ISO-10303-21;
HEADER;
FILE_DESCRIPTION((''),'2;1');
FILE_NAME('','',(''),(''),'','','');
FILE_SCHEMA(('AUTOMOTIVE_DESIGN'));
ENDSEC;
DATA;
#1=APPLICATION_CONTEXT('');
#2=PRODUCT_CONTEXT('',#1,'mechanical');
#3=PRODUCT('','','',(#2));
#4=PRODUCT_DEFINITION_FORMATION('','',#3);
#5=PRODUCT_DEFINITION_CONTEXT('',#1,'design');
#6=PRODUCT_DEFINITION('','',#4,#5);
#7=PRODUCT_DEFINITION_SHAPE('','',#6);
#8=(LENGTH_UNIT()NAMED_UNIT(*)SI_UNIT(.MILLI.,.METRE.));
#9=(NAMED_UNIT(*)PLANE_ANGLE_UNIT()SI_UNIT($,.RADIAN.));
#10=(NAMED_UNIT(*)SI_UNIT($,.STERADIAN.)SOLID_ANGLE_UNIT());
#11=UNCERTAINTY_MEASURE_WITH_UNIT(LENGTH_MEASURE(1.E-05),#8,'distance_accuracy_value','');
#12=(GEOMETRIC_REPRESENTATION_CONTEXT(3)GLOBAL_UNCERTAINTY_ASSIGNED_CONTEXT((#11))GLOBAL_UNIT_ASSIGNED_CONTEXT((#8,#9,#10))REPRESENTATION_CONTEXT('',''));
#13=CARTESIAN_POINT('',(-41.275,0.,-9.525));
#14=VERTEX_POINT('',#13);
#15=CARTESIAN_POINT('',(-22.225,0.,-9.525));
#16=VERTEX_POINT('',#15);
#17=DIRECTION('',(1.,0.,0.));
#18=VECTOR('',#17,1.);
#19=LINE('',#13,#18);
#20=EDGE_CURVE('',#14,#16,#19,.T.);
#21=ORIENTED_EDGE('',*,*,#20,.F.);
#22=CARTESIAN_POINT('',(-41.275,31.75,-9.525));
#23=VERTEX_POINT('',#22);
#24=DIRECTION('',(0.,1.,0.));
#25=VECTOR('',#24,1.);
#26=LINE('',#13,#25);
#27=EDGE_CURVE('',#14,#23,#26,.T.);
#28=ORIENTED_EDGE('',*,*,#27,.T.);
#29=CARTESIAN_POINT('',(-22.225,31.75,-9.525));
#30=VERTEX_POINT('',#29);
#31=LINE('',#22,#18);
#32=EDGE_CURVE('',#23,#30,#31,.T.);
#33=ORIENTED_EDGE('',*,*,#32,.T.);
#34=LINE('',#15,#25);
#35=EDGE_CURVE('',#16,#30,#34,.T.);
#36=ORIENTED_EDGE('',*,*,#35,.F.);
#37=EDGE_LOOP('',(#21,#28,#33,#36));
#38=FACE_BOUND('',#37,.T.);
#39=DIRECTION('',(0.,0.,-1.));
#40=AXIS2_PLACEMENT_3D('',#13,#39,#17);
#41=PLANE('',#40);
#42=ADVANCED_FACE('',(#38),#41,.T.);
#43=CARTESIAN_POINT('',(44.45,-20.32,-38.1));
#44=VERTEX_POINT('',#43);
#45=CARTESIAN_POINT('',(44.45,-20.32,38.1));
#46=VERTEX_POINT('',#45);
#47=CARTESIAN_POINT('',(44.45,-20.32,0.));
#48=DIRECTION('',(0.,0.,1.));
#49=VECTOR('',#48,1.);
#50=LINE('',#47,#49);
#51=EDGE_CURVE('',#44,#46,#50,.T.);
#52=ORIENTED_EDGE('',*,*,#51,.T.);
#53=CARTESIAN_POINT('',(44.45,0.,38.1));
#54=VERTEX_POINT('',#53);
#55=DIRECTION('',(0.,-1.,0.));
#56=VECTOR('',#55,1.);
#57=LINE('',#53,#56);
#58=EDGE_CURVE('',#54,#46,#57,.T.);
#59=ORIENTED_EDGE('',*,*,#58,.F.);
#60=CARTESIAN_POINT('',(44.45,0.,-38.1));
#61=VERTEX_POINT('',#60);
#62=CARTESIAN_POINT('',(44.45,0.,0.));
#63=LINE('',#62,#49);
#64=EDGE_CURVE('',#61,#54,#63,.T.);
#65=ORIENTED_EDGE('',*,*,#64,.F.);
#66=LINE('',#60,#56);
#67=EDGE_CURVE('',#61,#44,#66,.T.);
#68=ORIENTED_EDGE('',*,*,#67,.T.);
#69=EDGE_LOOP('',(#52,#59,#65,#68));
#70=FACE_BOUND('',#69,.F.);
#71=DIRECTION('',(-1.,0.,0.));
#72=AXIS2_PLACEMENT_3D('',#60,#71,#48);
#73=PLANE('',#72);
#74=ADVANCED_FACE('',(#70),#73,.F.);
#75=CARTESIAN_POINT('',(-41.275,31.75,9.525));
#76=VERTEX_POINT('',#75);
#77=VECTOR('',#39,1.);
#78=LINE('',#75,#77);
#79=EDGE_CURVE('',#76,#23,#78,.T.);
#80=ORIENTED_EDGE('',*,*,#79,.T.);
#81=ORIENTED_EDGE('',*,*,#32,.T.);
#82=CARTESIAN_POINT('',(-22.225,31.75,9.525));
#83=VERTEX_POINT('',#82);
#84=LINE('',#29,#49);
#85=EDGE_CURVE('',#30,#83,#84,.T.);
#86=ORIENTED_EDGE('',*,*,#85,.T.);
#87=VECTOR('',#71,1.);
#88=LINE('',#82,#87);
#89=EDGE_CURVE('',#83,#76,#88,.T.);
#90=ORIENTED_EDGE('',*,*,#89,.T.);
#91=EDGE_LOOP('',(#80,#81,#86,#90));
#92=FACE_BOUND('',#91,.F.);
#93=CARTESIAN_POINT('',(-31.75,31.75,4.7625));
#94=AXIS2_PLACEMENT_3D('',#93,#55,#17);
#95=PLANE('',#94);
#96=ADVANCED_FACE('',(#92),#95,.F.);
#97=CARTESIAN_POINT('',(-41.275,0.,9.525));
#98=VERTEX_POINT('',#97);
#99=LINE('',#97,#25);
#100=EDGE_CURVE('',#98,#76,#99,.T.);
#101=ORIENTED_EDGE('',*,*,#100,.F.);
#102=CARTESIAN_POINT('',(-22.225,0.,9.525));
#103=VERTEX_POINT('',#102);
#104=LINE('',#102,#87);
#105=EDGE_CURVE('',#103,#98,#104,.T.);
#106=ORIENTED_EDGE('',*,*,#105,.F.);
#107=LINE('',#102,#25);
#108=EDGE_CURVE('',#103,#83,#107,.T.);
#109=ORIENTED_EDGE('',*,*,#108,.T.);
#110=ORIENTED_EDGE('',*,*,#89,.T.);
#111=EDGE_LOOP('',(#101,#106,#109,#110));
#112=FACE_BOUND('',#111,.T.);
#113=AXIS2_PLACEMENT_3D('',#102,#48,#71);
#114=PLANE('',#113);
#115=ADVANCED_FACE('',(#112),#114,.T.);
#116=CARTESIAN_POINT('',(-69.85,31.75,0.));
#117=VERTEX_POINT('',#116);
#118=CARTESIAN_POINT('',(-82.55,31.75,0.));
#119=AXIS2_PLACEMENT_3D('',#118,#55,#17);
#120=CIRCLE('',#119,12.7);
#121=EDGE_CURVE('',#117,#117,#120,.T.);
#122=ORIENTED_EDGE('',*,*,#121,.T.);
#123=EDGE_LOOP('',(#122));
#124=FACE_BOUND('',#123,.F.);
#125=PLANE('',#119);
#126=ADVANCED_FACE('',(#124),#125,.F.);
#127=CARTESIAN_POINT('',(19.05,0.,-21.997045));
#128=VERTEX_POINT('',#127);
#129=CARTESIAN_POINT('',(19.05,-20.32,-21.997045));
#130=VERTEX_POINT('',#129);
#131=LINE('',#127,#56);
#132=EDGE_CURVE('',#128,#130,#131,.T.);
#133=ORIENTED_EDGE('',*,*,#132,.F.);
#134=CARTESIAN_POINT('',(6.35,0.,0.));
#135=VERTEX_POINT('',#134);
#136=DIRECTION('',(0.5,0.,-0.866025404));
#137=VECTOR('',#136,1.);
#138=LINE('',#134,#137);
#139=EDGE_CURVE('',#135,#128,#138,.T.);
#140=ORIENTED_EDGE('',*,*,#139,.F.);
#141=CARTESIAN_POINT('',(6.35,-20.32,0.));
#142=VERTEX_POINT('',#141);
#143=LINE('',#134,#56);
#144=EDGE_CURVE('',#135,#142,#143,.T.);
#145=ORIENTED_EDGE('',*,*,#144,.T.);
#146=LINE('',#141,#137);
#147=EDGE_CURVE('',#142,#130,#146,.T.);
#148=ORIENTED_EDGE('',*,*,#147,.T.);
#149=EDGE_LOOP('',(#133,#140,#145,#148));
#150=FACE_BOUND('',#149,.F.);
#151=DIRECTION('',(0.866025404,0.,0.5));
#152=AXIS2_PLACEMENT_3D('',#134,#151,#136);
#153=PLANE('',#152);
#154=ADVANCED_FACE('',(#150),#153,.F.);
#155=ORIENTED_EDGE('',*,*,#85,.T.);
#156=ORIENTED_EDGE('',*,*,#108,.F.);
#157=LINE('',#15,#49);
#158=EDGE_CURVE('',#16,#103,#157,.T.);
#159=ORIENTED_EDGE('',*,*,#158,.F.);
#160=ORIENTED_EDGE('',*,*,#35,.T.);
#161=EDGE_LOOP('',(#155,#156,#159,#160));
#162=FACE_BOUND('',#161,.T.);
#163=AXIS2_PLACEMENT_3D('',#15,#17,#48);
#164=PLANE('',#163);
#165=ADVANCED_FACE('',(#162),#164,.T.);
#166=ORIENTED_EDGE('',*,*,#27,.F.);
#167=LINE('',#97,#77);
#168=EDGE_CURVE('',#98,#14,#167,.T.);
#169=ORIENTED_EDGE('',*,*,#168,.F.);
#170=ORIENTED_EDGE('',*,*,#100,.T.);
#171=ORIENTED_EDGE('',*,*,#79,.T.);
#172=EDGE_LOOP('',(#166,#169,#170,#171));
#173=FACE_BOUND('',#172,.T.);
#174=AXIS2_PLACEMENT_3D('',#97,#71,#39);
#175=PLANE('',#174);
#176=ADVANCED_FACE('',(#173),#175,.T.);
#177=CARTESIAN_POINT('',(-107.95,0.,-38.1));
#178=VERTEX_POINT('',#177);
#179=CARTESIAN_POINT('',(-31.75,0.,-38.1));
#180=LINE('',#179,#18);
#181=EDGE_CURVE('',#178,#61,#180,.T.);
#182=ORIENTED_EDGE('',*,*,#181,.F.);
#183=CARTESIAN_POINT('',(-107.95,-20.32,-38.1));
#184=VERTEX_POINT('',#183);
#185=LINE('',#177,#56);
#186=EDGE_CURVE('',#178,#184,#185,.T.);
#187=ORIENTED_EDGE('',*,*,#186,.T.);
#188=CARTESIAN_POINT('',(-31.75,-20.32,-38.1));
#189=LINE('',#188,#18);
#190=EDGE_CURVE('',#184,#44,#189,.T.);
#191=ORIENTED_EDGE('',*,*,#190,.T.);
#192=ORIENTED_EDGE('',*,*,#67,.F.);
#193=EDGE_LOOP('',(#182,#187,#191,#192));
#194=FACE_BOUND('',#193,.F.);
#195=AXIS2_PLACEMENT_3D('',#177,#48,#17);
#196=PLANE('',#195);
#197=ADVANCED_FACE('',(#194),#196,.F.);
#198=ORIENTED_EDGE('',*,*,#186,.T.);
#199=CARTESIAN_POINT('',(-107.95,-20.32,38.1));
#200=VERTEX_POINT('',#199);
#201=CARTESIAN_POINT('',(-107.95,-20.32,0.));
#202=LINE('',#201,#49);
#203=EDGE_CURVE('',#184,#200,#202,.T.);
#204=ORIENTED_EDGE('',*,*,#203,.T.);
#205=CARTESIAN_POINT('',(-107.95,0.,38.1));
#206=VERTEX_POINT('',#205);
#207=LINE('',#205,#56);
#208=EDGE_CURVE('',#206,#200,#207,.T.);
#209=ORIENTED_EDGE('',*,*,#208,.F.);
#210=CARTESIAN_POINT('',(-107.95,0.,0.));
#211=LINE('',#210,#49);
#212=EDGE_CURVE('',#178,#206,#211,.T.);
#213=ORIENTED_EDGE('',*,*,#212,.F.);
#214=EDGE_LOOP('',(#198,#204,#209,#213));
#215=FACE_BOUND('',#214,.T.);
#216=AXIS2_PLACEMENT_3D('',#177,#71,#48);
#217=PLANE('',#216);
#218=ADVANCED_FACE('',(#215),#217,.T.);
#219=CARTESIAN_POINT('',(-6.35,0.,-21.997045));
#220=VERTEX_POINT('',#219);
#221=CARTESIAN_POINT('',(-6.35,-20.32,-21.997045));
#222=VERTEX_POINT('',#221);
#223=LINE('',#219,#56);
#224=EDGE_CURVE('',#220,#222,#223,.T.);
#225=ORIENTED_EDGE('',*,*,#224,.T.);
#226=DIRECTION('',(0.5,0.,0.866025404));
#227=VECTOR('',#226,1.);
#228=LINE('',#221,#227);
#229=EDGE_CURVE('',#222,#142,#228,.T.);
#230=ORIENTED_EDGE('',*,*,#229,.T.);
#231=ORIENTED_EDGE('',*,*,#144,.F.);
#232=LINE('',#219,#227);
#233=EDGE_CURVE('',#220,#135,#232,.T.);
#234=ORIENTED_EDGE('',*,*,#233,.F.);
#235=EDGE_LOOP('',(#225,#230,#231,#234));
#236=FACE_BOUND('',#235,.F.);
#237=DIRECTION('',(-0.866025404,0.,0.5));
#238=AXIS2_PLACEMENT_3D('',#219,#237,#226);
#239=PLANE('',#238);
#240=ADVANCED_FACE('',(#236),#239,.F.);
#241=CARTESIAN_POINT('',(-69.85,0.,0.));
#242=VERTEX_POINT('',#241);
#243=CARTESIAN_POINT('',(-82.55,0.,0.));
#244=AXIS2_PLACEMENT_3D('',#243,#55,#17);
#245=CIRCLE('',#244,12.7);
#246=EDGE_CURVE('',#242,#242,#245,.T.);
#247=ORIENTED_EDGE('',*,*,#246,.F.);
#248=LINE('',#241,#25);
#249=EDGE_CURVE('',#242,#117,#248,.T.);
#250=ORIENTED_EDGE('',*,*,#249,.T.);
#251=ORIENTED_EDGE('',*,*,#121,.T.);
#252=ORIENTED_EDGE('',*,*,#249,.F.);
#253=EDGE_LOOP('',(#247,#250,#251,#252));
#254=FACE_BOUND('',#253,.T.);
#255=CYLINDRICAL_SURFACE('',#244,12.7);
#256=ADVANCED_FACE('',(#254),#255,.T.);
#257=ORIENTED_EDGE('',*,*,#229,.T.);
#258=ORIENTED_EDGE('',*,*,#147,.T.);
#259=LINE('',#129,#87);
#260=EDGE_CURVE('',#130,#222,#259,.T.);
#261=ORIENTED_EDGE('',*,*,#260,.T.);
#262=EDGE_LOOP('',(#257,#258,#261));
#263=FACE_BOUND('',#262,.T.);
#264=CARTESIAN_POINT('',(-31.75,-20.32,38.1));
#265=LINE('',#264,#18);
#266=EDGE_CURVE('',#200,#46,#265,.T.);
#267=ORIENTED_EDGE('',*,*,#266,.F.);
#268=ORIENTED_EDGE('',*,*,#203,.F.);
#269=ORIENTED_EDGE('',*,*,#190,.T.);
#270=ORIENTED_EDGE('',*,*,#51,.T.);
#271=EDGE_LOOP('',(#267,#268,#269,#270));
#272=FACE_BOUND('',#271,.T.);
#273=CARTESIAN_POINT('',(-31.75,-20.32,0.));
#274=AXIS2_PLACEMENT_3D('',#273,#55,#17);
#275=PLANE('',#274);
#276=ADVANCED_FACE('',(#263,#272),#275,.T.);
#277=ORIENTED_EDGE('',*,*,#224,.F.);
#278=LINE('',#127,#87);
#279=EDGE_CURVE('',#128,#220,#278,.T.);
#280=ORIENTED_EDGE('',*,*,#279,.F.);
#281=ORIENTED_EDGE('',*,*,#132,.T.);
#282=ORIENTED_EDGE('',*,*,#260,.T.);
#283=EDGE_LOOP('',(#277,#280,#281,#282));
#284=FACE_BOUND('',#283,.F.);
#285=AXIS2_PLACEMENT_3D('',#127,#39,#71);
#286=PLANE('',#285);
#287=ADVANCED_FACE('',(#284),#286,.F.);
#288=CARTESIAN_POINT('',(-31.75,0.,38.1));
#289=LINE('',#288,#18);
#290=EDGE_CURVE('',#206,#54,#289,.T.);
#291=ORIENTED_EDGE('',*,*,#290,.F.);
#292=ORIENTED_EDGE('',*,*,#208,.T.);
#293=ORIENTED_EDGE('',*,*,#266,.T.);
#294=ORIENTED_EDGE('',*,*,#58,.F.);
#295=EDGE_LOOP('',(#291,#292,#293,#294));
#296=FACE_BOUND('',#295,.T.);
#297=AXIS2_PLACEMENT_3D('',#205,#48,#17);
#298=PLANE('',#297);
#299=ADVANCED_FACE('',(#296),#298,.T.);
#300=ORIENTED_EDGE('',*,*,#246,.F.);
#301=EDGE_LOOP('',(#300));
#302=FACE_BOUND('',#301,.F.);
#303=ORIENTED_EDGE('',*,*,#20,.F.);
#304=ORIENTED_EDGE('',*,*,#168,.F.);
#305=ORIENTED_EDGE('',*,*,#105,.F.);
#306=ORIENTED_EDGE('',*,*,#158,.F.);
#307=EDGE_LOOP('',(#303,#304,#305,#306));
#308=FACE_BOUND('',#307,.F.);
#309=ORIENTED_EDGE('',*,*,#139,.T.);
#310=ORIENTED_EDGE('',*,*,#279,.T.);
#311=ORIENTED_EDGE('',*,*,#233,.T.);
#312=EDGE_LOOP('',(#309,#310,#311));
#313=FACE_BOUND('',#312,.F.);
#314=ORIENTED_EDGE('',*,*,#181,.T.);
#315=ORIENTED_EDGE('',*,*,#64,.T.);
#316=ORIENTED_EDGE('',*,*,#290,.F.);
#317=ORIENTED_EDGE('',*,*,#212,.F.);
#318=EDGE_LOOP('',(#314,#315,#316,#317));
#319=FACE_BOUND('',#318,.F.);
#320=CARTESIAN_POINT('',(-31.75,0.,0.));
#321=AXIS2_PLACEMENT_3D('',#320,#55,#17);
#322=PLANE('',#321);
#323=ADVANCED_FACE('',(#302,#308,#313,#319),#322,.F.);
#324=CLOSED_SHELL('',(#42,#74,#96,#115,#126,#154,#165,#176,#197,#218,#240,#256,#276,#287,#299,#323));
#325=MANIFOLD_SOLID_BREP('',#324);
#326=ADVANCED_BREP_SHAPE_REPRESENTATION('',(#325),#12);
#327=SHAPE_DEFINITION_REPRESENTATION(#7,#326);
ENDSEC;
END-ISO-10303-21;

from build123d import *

# Parameters (mm, degrees)
F0_W     = 152.4
F0_H     = 76.2
F0_R     = 12.7
F1_DEPTH = 20.32
F2_DEPTH = 31.75


with BuildPart() as f1:
    # F0 (on Front) → F1 (new body)
    with BuildSketch(Plane.XZ):
        with Locations((-31.75, 0)):
            Rectangle(F0_W, F0_H)
        Polygon((-6.35, -21.9970452561), (6.35, 0), (19.05, -21.9970452561), align=None, mode=Mode.SUBTRACT)
        with Locations((-82.55, 0)):
            Circle(F0_R, mode=Mode.SUBTRACT)
        Polygon((-22.225, 9.525), (-22.225, 0), (-22.225, -9.525), (-41.275, -9.525), (-41.275, 0), (-41.275, 9.525), align=None, mode=Mode.SUBTRACT)
        with Locations((-82.55, 0)):
            Circle(F0_R)
        Polygon((-31.75, 0), (-22.225, 0), (-22.225, 9.525), (-41.275, 9.525), (-41.275, 0), align=None)
        Polygon((-22.225, -9.525), (-22.225, 0), (-31.75, 0), (-41.275, 0), (-41.275, -9.525), align=None)
    extrude(amount=F1_DEPTH)

    # F0 (on Front) → F2 (join)
    with BuildSketch(Plane.XZ):
        with Locations((-82.55, 0)):
            Circle(F0_R)
        Polygon((-31.75, 0), (-22.225, 0), (-22.225, 9.525), (-41.275, 9.525), (-41.275, 0), align=None)
        Polygon((-22.225, -9.525), (-22.225, 0), (-31.75, 0), (-41.275, 0), (-41.275, -9.525), align=None)
    extrude(amount=-F2_DEPTH)


solid = f1.part
